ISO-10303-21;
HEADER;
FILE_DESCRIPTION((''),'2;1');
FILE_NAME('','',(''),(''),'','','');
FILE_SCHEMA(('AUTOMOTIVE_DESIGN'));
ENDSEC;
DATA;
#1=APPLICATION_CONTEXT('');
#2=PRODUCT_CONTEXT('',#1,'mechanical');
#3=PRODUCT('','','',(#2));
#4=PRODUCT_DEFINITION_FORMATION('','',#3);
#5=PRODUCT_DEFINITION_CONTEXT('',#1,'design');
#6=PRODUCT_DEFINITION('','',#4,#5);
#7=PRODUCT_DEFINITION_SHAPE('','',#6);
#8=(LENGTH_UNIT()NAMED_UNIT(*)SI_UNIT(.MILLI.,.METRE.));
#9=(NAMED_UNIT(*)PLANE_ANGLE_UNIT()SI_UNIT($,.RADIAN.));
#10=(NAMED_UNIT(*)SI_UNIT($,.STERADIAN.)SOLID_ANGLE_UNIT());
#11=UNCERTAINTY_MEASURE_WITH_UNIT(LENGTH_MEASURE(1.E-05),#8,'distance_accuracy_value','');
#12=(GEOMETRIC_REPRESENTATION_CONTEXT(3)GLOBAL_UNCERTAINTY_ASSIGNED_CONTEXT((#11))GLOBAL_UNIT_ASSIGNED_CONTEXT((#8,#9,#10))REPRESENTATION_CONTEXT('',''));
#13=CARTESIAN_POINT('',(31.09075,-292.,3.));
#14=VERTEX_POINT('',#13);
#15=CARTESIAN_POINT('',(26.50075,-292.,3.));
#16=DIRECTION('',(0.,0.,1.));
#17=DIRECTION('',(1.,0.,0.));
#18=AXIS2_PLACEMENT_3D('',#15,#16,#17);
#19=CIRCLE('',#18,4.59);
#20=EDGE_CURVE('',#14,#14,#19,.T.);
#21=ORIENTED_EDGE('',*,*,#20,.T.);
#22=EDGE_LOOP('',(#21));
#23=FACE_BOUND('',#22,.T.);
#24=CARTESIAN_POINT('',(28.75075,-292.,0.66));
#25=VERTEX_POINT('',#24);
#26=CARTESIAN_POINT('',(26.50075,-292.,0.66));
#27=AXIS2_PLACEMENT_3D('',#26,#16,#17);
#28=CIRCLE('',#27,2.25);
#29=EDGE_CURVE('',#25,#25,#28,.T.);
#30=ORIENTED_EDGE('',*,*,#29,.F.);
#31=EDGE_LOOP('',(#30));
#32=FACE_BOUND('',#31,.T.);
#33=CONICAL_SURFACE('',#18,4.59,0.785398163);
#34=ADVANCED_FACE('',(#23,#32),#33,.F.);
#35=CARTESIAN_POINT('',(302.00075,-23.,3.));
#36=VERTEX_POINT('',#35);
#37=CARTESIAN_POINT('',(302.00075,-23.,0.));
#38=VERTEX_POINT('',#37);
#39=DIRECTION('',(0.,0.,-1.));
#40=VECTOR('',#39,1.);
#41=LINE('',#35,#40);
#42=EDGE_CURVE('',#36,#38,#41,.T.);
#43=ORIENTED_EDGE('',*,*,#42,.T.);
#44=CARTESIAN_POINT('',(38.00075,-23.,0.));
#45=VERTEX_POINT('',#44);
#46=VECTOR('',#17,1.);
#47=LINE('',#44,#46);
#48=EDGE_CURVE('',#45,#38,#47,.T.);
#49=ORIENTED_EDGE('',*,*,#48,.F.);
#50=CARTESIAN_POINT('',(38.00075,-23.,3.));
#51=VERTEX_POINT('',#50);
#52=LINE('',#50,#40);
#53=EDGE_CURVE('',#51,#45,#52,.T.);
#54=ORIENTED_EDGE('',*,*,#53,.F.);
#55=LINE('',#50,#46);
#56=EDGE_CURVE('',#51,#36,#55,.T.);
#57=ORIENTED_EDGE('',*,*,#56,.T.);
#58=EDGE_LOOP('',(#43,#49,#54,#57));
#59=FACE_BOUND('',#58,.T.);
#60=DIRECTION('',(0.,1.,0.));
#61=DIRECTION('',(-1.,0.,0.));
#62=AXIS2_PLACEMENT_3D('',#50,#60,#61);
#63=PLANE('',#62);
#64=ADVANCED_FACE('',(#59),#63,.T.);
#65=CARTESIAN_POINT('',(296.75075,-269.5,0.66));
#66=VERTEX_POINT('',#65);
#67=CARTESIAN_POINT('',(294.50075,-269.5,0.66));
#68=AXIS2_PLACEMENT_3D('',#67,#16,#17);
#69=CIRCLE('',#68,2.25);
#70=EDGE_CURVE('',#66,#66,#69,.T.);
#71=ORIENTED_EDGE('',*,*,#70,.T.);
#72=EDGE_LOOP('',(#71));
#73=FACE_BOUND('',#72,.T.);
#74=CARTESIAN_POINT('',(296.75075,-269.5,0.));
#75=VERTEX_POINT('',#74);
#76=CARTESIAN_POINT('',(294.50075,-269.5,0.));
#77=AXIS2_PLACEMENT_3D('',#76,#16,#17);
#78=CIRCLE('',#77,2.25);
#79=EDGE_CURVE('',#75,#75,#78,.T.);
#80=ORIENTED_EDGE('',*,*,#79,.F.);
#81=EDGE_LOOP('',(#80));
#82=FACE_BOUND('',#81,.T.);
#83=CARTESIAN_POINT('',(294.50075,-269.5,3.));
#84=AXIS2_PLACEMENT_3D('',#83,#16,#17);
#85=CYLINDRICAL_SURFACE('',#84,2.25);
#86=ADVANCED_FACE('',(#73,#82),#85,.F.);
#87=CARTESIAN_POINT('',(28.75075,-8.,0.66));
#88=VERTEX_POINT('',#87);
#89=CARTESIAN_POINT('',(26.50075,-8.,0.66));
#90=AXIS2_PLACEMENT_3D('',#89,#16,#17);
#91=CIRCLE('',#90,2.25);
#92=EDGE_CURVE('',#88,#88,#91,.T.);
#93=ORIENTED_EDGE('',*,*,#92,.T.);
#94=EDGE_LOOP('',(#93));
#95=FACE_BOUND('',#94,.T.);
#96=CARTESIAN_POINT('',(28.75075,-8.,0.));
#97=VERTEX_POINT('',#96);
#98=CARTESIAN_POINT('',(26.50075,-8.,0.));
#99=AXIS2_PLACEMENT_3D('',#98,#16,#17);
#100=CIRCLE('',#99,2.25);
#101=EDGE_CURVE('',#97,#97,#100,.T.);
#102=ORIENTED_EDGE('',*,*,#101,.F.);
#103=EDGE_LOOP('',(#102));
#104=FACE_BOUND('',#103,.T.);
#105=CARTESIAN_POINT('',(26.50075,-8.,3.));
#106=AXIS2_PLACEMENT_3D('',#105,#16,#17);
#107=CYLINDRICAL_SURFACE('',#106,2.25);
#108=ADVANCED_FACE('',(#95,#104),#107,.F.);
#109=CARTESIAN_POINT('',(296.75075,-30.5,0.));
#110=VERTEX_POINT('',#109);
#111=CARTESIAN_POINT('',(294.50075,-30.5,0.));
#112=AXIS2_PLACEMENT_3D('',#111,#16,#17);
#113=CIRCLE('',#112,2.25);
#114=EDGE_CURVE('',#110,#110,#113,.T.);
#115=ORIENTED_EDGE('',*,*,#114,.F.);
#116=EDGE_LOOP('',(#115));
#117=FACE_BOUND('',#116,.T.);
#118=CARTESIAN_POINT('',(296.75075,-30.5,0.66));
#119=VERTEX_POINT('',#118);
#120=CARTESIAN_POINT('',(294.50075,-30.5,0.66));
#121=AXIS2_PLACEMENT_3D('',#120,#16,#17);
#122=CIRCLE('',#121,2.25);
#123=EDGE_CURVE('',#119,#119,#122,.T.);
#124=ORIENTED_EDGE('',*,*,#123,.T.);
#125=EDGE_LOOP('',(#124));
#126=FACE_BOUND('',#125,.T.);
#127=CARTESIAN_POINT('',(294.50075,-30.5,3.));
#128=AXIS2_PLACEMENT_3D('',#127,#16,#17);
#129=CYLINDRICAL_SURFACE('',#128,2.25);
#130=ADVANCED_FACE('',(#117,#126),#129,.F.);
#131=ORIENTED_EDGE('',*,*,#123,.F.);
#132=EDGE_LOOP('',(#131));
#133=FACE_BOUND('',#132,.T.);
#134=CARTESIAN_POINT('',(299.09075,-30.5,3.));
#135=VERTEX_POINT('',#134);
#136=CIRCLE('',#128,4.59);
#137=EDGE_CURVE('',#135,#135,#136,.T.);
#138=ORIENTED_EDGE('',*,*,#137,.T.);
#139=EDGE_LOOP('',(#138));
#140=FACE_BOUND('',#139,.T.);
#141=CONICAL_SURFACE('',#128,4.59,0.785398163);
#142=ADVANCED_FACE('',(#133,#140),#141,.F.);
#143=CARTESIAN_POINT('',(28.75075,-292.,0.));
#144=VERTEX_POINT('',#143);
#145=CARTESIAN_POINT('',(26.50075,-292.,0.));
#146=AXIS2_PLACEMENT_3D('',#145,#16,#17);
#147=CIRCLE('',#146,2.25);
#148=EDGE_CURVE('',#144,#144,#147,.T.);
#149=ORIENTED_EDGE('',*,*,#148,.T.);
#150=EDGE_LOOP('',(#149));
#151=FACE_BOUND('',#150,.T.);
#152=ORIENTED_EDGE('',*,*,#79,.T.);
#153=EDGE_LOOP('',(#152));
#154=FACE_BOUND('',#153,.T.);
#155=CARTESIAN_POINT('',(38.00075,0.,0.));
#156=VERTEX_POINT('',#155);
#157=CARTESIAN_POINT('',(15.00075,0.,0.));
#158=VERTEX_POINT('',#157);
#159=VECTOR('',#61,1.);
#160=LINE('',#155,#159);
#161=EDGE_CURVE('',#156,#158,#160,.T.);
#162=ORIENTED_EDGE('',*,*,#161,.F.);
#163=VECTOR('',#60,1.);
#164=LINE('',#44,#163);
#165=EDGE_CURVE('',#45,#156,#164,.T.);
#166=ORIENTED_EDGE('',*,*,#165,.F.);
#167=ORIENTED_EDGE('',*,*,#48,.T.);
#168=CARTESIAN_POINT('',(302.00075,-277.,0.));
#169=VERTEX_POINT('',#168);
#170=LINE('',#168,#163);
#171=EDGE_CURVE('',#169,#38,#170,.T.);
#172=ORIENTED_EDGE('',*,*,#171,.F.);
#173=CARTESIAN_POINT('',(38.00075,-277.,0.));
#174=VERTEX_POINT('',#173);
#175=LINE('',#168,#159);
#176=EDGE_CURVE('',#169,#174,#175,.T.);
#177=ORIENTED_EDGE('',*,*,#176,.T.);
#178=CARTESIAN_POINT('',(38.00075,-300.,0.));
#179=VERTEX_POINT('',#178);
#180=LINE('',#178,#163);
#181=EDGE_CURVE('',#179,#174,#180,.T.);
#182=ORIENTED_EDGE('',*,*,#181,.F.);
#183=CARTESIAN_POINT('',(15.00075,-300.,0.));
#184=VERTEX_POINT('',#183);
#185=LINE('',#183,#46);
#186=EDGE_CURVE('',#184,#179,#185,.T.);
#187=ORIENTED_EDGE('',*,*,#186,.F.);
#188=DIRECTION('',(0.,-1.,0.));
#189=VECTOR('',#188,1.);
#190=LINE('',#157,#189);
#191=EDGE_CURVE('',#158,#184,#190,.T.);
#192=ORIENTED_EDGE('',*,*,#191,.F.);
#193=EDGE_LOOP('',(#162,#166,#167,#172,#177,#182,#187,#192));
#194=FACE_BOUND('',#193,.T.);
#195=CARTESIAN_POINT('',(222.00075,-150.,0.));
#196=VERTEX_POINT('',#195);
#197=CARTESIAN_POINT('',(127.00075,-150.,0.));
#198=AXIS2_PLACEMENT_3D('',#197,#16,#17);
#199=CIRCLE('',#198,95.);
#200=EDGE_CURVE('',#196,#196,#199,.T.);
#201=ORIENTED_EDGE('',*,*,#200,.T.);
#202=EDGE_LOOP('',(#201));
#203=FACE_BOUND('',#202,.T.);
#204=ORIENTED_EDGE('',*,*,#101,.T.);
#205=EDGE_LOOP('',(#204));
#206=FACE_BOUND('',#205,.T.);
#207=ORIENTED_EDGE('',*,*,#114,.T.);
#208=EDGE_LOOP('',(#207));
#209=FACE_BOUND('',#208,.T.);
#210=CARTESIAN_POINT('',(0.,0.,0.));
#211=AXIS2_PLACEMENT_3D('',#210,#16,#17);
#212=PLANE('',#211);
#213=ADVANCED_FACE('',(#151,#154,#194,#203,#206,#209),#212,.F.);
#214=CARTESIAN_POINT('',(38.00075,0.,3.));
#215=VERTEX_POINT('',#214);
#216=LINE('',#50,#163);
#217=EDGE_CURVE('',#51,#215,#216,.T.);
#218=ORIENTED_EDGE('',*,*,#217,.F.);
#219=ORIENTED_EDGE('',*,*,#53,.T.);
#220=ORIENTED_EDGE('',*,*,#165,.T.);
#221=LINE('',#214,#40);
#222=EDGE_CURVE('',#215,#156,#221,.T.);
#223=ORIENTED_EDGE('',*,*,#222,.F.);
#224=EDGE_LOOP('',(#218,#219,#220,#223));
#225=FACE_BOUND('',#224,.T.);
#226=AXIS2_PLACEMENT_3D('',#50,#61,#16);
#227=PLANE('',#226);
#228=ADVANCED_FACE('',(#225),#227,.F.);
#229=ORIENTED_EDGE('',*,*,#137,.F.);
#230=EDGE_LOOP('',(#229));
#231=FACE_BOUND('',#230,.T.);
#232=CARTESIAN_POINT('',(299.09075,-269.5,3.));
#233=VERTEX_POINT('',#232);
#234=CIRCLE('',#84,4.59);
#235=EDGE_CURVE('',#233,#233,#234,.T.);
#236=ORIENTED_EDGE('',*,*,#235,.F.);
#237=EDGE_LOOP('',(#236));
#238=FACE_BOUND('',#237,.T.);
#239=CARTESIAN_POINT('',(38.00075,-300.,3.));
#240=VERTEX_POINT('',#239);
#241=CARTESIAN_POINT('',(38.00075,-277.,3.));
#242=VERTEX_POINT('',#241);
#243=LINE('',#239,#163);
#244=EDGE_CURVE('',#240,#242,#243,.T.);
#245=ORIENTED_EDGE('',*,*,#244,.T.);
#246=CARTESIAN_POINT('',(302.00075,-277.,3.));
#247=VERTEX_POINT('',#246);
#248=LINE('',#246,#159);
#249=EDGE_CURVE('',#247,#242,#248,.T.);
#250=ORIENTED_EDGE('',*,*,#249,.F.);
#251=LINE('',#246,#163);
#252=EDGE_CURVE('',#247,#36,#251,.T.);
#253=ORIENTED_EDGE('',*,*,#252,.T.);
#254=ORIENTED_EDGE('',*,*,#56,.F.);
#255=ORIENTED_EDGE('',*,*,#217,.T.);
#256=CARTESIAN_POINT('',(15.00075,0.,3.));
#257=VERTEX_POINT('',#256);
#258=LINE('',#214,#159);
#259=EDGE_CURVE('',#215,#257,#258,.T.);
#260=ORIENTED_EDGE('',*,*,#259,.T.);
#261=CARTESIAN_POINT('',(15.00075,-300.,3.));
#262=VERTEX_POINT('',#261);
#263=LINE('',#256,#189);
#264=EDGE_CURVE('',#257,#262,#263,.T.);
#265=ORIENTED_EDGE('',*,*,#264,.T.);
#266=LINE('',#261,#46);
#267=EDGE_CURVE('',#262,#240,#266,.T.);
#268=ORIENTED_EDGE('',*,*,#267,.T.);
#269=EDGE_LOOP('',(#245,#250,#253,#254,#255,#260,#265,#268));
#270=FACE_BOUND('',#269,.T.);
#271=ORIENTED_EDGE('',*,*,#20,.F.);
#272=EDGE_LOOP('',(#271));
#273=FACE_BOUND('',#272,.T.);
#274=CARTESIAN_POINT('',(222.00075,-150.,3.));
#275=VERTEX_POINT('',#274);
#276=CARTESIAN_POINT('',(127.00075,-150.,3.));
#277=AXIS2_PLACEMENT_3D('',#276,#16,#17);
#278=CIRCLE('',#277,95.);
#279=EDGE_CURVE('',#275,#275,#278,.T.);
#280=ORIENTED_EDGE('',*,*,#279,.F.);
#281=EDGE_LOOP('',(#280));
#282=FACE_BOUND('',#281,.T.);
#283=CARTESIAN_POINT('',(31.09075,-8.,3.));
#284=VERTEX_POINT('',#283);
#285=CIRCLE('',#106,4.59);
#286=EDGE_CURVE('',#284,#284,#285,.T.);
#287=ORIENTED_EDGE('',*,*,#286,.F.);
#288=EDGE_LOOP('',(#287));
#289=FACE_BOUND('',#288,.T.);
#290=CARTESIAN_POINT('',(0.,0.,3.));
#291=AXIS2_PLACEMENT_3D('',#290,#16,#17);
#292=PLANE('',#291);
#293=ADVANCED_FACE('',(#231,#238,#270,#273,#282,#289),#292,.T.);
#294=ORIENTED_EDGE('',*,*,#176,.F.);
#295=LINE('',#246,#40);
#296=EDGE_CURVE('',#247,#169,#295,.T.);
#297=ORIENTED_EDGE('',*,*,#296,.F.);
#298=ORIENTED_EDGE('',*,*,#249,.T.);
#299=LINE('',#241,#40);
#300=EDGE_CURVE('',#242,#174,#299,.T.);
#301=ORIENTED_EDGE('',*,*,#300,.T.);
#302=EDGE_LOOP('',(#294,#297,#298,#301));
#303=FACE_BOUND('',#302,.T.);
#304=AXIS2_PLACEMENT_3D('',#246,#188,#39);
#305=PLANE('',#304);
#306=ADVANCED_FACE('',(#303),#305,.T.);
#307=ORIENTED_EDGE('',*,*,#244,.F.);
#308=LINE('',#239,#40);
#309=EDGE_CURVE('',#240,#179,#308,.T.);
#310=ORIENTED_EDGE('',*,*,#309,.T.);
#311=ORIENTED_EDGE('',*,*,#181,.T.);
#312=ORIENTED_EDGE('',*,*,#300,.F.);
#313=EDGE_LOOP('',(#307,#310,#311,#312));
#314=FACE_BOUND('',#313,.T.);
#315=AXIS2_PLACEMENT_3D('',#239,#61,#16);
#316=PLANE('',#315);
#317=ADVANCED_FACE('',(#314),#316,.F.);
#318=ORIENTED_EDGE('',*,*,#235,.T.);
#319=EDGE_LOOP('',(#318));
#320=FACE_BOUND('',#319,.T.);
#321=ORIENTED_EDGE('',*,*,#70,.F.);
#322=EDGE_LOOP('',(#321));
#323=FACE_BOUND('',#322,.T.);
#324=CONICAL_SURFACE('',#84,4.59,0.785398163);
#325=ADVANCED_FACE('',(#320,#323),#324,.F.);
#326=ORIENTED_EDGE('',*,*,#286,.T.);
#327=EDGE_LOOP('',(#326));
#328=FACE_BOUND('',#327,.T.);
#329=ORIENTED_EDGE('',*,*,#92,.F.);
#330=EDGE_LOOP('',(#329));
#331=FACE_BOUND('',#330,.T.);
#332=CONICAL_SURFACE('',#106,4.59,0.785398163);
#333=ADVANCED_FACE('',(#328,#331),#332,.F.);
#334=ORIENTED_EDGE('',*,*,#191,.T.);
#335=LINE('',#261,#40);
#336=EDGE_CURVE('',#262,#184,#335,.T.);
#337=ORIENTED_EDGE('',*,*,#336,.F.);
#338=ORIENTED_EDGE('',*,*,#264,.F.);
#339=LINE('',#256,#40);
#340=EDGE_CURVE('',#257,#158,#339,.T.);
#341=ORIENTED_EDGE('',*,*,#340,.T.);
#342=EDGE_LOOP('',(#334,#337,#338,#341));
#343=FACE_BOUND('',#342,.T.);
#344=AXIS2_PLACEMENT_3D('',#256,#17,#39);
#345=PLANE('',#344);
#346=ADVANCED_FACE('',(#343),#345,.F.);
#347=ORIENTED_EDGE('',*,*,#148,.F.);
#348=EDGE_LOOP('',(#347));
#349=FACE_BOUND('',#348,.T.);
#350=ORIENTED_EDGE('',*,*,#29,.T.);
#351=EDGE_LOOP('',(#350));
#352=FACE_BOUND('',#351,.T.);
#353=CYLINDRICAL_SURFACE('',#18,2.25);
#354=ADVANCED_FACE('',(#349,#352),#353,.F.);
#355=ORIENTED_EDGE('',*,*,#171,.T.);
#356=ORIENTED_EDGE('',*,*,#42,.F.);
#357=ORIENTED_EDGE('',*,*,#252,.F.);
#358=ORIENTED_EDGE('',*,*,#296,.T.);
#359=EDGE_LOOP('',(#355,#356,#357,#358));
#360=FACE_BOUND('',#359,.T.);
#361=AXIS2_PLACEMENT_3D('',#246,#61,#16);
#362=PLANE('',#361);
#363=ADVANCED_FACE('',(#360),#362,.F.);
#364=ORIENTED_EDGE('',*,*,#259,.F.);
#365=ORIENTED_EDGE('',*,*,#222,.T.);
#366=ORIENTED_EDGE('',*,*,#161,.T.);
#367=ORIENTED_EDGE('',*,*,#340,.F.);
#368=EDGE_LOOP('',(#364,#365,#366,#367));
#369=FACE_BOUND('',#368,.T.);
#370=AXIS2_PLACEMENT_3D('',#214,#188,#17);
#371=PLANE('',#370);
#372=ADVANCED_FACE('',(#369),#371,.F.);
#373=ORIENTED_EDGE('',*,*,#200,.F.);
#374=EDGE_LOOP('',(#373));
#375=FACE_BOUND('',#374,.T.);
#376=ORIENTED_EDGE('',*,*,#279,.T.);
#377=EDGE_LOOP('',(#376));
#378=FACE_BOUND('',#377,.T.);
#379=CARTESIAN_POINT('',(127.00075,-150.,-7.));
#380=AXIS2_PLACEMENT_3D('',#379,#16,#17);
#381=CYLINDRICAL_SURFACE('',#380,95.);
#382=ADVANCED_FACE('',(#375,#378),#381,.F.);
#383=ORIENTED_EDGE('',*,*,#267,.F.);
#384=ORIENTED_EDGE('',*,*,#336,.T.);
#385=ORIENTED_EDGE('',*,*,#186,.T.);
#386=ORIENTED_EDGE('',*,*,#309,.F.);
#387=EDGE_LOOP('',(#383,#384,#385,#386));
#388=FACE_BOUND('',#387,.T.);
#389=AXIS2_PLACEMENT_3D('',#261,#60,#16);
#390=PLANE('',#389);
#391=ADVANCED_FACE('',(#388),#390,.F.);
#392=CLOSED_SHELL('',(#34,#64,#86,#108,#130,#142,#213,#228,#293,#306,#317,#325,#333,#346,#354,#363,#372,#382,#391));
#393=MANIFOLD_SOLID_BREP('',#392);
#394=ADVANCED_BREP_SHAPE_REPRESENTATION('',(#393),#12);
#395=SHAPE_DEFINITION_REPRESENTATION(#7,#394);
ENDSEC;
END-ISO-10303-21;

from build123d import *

# Parameters (mm, degrees)
AUFSATZ_LINEAR_AUSTRAGEN1_DEPTH             = 3
FORMSENKUNG_F_R_M4_SENKSCHRAUBE_MIT_2_COUNT = 2
FORMSENKUNG_F_R_M4_SENKSCHRAUBE_MIT_2_PITCH = 284
FORMSENKUNG_F_R_M4_SENKSCHRAUBE_MIT_3_COUNT = 2
FORMSENKUNG_F_R_M4_SENKSCHRAUBE_MIT_3_PITCH = 268.942837793
FORMSENKUNG_F_R_M4_SENKSCHRAUBE_MIT_4_COUNT = 2
FORMSENKUNG_F_R_M4_SENKSCHRAUBE_MIT_4_PITCH = 374.441250399
SKIZZE4_R                                   = 95
SCHNITT_LINEAR_AUSTRAGEN1_DEPTH             = 10


with BuildPart() as part:
    # Skizze1 → Aufsatz-Linear austragen1 (new body)
    with BuildSketch(Plane.XY):
        Polygon((15.000749991, 0), (15.000749991, -300), (38.000749991, -300), (38.000749991, -277), (302.000749991, -277), (302.000749991, -23), (38.000749991, -23), (38.000749991, 0), align=None)
    extrude(amount=AUFSATZ_LINEAR_AUSTRAGEN1_DEPTH)

    # Skizze3 → Formsenkung für M4 Senkschraube mit Innensechskant1 (revolve, cut)
    with BuildSketch(Plane(origin=(26.500749991, -8, 3), x_dir=(0, -1, 0), z_dir=(1, 0, 0))):
        Polygon((0, 0), (0, 3), (2.25, 3), (2.25, 2.34), (4.59, 0), align=None)
    formsenkung_f_r_m4_senkschraube_mit_inne = revolve(axis=Axis((26.500749991, -8, 9.35), (0, 0, -1)), mode=Mode.SUBTRACT)

    # Formsenkung f_r M4 Senkschraube mit  2: Formsenkung für M4 Senkschraube mit Innensechskant1 ×2
    with Locations(*[(0, -i * FORMSENKUNG_F_R_M4_SENKSCHRAUBE_MIT_2_PITCH, 0) for i in range(1, FORMSENKUNG_F_R_M4_SENKSCHRAUBE_MIT_2_COUNT)]):
        add(formsenkung_f_r_m4_senkschraube_mit_inne, mode=Mode.SUBTRACT)

    # Formsenkung f_r M4 Senkschraube mit  3: Formsenkung für M4 Senkschraube mit Innensechskant1 ×2
    with Locations(*[Vector(0.9964942818315755, -0.08366090052690477, 0) * (i * FORMSENKUNG_F_R_M4_SENKSCHRAUBE_MIT_3_PITCH) for i in range(1, FORMSENKUNG_F_R_M4_SENKSCHRAUBE_MIT_3_COUNT)]):
        add(formsenkung_f_r_m4_senkschraube_mit_inne, mode=Mode.SUBTRACT)

    # Formsenkung f_r M4 Senkschraube mit  4: Formsenkung für M4 Senkschraube mit Innensechskant1 ×2
    with Locations(*[Vector(0.7157331082373348, -0.6983739097166529, 0) * (i * FORMSENKUNG_F_R_M4_SENKSCHRAUBE_MIT_4_PITCH) for i in range(1, FORMSENKUNG_F_R_M4_SENKSCHRAUBE_MIT_4_COUNT)]):
        add(formsenkung_f_r_m4_senkschraube_mit_inne, mode=Mode.SUBTRACT)

    # Skizze4 → Schnitt-Linear austragen1 (cut)
    with BuildSketch(Plane.XY.offset(3)):
        with Locations((127.000749991, -150)):
            Circle(SKIZZE4_R)
    extrude(amount=-SCHNITT_LINEAR_AUSTRAGEN1_DEPTH, mode=Mode.SUBTRACT)


solid = part.part
